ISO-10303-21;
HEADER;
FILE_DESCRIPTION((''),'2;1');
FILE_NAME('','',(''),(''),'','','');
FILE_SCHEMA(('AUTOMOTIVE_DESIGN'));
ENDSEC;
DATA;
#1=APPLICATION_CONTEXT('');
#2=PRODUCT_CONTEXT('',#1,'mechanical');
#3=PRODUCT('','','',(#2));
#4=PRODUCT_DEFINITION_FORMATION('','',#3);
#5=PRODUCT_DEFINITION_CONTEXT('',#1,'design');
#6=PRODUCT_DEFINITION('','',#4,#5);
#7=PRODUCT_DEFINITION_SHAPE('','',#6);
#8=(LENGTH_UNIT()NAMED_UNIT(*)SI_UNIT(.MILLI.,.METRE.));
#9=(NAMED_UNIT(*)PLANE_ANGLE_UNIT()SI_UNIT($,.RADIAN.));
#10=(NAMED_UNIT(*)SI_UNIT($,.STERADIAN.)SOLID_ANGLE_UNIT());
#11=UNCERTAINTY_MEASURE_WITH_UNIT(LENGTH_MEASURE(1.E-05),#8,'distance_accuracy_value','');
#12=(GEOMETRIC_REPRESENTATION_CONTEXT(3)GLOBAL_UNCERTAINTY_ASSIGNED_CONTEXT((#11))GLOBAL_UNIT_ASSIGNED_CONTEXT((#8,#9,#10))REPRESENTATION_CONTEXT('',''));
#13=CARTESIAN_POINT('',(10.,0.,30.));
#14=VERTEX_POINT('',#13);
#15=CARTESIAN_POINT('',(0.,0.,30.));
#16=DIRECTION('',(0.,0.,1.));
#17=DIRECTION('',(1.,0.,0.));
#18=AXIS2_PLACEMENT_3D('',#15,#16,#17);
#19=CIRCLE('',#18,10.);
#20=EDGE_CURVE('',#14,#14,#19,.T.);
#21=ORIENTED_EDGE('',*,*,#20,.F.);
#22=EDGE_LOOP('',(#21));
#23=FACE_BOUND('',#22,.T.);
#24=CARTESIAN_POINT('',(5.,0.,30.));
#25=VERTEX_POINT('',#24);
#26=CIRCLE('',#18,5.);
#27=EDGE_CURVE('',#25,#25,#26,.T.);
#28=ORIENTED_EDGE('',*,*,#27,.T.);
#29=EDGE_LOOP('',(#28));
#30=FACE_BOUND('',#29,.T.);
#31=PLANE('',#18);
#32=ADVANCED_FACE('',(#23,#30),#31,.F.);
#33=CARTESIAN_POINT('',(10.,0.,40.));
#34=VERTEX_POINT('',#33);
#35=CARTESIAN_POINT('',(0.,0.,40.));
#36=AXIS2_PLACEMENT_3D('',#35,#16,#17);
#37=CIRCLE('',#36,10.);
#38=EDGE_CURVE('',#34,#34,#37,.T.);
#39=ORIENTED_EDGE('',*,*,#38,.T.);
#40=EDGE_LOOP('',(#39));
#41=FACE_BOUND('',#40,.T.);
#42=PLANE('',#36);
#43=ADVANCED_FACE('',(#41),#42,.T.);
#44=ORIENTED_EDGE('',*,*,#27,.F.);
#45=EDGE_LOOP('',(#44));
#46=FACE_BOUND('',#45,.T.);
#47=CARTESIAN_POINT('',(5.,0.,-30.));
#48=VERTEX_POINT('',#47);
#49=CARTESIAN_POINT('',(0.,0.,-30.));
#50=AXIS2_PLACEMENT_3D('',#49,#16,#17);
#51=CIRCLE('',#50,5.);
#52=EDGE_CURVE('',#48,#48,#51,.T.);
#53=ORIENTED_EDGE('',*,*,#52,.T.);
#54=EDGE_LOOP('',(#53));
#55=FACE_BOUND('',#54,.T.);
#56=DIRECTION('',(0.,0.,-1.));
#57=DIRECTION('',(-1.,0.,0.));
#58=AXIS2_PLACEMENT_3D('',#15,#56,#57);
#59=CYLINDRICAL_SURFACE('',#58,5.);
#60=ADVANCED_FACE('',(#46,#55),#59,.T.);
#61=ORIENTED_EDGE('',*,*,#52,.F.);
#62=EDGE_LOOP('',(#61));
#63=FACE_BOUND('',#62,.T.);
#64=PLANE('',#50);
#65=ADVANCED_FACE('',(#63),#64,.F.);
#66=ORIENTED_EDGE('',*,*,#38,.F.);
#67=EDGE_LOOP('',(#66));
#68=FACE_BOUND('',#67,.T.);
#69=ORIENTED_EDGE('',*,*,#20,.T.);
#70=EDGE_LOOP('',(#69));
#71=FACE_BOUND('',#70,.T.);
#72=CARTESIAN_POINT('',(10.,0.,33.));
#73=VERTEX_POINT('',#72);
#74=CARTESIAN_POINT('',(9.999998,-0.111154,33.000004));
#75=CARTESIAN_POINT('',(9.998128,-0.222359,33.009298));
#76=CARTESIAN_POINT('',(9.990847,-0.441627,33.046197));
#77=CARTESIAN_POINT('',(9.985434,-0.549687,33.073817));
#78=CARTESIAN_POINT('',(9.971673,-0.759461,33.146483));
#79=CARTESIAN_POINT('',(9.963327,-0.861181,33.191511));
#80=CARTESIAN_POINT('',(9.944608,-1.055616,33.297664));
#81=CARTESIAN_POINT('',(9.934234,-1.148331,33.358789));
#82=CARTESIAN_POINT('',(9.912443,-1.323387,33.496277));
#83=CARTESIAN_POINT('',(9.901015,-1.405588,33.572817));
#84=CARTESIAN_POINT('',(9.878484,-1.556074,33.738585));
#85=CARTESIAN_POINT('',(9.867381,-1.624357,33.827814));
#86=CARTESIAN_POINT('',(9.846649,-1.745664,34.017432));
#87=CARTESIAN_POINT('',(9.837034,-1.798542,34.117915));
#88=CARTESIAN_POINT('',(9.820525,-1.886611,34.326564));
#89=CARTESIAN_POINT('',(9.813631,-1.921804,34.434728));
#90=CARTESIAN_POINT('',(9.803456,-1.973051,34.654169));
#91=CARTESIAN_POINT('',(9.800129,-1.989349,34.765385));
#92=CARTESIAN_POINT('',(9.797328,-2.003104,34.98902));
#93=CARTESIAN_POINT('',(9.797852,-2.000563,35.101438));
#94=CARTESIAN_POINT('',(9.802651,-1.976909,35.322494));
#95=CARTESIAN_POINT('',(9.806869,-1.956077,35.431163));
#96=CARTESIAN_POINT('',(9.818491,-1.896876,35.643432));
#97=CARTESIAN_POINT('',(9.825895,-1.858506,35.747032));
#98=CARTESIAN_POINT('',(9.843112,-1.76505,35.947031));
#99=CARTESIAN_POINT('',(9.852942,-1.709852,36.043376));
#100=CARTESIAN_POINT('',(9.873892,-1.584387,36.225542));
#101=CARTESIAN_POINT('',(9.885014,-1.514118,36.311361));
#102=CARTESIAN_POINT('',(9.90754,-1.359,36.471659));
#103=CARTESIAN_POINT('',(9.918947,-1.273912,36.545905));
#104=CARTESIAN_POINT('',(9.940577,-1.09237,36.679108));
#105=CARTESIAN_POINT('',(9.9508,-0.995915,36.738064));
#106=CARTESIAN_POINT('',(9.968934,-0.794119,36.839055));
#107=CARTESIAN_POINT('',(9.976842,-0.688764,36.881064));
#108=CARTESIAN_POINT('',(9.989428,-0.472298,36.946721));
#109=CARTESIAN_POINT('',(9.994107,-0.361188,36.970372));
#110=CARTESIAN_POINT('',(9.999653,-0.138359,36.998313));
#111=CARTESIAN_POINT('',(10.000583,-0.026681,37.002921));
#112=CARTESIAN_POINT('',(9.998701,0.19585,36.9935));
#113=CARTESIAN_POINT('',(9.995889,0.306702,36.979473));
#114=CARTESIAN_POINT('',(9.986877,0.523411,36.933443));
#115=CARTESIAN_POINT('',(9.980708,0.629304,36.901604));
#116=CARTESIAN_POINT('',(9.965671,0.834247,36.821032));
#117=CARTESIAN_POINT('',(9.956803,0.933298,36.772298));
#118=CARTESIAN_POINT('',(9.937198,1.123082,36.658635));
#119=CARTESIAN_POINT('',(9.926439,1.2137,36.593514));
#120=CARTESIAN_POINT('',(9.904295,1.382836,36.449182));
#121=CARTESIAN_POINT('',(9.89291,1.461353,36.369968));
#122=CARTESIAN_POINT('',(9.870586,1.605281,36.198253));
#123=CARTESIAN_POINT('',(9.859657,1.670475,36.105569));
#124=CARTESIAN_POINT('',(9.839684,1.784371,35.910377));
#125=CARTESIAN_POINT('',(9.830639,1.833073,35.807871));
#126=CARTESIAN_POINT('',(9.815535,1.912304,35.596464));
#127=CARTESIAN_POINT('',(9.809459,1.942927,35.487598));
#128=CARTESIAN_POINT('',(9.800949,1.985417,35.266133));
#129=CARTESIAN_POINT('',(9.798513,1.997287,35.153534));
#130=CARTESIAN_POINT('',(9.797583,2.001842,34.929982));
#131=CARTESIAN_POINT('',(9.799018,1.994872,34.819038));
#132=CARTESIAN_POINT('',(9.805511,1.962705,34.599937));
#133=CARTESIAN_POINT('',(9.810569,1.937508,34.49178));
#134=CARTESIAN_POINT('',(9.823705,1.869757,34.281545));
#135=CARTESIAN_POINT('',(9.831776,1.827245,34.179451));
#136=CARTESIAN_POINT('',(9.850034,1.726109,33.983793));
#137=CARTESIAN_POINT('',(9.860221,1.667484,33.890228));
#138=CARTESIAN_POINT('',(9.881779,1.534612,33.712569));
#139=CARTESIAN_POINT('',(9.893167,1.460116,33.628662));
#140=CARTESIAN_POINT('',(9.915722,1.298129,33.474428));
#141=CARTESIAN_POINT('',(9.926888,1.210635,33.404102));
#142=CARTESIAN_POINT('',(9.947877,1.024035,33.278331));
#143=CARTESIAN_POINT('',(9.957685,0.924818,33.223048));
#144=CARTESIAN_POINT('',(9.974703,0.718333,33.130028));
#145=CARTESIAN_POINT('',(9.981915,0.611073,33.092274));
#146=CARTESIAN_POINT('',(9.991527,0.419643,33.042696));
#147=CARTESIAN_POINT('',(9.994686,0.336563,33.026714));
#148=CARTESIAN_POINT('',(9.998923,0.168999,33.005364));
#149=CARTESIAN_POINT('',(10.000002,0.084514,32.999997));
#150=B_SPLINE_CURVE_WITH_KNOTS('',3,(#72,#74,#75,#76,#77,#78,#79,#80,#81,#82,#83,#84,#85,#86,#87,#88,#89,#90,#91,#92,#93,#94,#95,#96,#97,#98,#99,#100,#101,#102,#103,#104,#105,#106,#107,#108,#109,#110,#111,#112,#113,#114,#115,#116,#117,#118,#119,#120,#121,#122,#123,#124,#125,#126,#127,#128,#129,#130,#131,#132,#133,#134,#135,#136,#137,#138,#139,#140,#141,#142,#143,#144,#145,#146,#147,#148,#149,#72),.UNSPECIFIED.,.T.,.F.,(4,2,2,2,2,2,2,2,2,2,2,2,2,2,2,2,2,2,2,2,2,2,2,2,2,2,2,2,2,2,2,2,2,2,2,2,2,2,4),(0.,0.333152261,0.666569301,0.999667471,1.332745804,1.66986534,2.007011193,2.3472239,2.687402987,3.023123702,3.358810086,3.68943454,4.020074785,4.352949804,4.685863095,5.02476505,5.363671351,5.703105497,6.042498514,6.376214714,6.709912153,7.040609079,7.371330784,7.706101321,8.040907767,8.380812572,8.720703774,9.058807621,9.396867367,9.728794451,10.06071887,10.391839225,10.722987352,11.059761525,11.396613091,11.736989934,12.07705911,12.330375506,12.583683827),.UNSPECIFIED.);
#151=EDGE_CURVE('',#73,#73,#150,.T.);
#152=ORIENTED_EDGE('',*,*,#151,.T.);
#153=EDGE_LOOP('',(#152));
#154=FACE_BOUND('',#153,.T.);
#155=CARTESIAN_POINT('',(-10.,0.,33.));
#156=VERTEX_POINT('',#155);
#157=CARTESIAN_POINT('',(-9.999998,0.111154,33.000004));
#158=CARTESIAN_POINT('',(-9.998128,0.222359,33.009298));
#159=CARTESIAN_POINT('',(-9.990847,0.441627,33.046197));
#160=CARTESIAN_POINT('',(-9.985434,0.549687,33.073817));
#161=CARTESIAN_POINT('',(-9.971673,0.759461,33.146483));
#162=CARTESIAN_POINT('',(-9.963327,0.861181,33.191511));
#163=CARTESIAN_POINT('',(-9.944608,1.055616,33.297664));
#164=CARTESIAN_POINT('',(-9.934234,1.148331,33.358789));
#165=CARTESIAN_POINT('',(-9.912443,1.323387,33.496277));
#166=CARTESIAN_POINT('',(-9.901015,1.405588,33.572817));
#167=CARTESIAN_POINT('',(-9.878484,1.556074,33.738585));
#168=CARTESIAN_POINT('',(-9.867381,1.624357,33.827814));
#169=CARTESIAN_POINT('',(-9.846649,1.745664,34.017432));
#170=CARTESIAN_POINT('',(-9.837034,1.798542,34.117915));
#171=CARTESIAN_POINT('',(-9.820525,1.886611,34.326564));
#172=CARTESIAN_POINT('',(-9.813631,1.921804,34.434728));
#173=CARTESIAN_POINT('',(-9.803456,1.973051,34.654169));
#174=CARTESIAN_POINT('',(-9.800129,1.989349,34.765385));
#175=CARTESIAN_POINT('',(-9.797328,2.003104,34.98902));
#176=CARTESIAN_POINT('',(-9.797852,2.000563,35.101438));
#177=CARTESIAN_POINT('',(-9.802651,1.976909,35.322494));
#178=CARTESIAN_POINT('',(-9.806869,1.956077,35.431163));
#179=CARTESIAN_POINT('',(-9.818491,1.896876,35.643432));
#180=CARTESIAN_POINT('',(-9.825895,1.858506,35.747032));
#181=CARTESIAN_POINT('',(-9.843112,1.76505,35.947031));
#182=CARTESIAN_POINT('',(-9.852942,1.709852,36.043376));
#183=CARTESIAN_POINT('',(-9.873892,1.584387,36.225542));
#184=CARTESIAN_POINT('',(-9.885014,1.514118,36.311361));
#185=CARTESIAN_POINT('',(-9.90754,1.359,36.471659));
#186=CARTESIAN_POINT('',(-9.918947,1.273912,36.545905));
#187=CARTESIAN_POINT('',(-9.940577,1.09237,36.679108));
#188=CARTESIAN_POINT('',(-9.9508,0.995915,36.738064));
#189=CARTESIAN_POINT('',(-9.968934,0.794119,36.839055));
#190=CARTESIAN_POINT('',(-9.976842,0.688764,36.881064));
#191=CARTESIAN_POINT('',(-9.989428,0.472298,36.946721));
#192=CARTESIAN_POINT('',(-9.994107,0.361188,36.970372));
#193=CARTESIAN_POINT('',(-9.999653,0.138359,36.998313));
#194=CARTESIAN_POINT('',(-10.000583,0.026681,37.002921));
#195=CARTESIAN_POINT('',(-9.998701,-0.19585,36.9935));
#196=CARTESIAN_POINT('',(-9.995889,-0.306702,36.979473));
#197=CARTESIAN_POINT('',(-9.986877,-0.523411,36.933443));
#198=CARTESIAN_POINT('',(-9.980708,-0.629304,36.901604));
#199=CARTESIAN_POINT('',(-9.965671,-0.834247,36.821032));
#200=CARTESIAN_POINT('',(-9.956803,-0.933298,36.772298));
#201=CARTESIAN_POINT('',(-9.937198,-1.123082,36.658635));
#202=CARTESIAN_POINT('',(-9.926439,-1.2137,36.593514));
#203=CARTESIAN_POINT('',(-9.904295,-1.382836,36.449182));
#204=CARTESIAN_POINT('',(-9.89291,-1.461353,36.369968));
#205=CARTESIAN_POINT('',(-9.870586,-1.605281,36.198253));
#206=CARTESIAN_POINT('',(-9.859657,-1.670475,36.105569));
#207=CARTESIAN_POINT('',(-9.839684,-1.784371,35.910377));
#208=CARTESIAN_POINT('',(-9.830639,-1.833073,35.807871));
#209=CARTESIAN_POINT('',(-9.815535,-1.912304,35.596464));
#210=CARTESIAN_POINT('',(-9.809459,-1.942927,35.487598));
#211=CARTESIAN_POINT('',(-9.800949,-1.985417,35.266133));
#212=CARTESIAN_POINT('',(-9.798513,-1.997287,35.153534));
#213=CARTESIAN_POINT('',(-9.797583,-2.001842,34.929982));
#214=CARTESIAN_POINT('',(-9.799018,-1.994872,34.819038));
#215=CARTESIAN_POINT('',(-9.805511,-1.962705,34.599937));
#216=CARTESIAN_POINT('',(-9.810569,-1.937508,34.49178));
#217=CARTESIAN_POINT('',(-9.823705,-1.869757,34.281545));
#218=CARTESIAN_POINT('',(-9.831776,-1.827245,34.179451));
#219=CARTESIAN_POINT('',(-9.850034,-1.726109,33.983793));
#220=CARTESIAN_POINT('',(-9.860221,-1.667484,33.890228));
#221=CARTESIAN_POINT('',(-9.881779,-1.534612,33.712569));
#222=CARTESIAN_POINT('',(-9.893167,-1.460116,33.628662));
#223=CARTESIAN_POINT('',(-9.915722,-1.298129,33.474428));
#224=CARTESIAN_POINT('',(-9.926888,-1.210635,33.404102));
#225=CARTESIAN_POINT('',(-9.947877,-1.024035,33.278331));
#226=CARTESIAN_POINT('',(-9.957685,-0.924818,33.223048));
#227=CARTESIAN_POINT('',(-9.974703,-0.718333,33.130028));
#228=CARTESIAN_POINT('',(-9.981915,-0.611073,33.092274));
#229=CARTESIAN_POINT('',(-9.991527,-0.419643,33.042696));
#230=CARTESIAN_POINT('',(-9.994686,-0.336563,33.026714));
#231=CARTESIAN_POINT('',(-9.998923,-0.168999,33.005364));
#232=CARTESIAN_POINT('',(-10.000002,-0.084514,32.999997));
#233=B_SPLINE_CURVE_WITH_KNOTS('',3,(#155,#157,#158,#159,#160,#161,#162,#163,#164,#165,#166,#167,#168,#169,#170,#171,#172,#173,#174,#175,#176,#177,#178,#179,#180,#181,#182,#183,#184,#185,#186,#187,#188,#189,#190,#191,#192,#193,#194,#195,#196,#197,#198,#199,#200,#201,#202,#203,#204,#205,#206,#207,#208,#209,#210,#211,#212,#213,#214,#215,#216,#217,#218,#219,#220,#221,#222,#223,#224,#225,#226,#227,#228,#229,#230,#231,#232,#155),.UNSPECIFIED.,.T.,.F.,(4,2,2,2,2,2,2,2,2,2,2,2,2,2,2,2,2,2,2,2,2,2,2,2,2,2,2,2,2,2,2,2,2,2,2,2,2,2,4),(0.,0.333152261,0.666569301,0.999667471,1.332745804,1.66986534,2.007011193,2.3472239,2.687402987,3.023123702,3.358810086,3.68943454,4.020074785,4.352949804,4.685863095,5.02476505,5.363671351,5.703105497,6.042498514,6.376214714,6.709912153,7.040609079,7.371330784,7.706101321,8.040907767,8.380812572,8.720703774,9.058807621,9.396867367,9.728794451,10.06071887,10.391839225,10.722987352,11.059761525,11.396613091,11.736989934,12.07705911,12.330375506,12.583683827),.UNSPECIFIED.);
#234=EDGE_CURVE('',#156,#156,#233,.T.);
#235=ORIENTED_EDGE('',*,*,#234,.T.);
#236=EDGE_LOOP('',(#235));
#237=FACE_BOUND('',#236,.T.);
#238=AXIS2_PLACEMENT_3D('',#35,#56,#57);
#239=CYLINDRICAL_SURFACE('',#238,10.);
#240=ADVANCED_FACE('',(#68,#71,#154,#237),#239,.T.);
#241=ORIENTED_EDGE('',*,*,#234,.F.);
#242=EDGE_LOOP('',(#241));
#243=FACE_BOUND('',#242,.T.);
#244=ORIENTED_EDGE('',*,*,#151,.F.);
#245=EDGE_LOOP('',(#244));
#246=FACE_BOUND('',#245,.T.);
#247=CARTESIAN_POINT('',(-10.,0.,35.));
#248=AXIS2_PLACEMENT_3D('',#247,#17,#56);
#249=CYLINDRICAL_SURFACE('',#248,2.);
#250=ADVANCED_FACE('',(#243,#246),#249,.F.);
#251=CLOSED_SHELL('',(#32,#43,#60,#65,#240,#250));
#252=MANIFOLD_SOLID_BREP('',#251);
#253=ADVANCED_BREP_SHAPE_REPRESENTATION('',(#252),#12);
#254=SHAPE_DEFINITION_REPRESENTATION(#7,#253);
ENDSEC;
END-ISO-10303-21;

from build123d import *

# Parameters (mm, degrees)
SKETCH1_R               = 5
BOSS_EXTRUDE1_DEPTH     = 30
SKETCH3_R               = 10
BOSS_EXTRUDE3_DEPTH     = 10
SKETCH4_R               = 2
CUT_EXTRUDE1_DEPTH      = 11
CUT_EXTRUDE1_DEPTH_BACK = 11


with BuildPart() as part:
    # Sketch1 → Boss-Extrude1 (new body, symmetric)
    with BuildSketch(Plane.XY):
        Circle(SKETCH1_R)
    extrude(amount=BOSS_EXTRUDE1_DEPTH, both=True)

    # Sketch3 → Boss-Extrude3 (add)
    with BuildSketch(Plane.XY.offset(30)):
        Circle(SKETCH3_R)
    extrude(amount=BOSS_EXTRUDE3_DEPTH)

    # Sketch4 → Cut-Extrude1 (cut, two sides)
    with BuildSketch(Plane(origin=(0, 0, 0), x_dir=(0, 0, -1), z_dir=(1, 0, 0))) as cut_extrude1_sk:
        with Locations((-35, 0)):
            Circle(SKETCH4_R)
    extrude(amount=CUT_EXTRUDE1_DEPTH, mode=Mode.SUBTRACT)
    extrude(cut_extrude1_sk.sketch, amount=-CUT_EXTRUDE1_DEPTH_BACK, mode=Mode.SUBTRACT)


solid = part.part
